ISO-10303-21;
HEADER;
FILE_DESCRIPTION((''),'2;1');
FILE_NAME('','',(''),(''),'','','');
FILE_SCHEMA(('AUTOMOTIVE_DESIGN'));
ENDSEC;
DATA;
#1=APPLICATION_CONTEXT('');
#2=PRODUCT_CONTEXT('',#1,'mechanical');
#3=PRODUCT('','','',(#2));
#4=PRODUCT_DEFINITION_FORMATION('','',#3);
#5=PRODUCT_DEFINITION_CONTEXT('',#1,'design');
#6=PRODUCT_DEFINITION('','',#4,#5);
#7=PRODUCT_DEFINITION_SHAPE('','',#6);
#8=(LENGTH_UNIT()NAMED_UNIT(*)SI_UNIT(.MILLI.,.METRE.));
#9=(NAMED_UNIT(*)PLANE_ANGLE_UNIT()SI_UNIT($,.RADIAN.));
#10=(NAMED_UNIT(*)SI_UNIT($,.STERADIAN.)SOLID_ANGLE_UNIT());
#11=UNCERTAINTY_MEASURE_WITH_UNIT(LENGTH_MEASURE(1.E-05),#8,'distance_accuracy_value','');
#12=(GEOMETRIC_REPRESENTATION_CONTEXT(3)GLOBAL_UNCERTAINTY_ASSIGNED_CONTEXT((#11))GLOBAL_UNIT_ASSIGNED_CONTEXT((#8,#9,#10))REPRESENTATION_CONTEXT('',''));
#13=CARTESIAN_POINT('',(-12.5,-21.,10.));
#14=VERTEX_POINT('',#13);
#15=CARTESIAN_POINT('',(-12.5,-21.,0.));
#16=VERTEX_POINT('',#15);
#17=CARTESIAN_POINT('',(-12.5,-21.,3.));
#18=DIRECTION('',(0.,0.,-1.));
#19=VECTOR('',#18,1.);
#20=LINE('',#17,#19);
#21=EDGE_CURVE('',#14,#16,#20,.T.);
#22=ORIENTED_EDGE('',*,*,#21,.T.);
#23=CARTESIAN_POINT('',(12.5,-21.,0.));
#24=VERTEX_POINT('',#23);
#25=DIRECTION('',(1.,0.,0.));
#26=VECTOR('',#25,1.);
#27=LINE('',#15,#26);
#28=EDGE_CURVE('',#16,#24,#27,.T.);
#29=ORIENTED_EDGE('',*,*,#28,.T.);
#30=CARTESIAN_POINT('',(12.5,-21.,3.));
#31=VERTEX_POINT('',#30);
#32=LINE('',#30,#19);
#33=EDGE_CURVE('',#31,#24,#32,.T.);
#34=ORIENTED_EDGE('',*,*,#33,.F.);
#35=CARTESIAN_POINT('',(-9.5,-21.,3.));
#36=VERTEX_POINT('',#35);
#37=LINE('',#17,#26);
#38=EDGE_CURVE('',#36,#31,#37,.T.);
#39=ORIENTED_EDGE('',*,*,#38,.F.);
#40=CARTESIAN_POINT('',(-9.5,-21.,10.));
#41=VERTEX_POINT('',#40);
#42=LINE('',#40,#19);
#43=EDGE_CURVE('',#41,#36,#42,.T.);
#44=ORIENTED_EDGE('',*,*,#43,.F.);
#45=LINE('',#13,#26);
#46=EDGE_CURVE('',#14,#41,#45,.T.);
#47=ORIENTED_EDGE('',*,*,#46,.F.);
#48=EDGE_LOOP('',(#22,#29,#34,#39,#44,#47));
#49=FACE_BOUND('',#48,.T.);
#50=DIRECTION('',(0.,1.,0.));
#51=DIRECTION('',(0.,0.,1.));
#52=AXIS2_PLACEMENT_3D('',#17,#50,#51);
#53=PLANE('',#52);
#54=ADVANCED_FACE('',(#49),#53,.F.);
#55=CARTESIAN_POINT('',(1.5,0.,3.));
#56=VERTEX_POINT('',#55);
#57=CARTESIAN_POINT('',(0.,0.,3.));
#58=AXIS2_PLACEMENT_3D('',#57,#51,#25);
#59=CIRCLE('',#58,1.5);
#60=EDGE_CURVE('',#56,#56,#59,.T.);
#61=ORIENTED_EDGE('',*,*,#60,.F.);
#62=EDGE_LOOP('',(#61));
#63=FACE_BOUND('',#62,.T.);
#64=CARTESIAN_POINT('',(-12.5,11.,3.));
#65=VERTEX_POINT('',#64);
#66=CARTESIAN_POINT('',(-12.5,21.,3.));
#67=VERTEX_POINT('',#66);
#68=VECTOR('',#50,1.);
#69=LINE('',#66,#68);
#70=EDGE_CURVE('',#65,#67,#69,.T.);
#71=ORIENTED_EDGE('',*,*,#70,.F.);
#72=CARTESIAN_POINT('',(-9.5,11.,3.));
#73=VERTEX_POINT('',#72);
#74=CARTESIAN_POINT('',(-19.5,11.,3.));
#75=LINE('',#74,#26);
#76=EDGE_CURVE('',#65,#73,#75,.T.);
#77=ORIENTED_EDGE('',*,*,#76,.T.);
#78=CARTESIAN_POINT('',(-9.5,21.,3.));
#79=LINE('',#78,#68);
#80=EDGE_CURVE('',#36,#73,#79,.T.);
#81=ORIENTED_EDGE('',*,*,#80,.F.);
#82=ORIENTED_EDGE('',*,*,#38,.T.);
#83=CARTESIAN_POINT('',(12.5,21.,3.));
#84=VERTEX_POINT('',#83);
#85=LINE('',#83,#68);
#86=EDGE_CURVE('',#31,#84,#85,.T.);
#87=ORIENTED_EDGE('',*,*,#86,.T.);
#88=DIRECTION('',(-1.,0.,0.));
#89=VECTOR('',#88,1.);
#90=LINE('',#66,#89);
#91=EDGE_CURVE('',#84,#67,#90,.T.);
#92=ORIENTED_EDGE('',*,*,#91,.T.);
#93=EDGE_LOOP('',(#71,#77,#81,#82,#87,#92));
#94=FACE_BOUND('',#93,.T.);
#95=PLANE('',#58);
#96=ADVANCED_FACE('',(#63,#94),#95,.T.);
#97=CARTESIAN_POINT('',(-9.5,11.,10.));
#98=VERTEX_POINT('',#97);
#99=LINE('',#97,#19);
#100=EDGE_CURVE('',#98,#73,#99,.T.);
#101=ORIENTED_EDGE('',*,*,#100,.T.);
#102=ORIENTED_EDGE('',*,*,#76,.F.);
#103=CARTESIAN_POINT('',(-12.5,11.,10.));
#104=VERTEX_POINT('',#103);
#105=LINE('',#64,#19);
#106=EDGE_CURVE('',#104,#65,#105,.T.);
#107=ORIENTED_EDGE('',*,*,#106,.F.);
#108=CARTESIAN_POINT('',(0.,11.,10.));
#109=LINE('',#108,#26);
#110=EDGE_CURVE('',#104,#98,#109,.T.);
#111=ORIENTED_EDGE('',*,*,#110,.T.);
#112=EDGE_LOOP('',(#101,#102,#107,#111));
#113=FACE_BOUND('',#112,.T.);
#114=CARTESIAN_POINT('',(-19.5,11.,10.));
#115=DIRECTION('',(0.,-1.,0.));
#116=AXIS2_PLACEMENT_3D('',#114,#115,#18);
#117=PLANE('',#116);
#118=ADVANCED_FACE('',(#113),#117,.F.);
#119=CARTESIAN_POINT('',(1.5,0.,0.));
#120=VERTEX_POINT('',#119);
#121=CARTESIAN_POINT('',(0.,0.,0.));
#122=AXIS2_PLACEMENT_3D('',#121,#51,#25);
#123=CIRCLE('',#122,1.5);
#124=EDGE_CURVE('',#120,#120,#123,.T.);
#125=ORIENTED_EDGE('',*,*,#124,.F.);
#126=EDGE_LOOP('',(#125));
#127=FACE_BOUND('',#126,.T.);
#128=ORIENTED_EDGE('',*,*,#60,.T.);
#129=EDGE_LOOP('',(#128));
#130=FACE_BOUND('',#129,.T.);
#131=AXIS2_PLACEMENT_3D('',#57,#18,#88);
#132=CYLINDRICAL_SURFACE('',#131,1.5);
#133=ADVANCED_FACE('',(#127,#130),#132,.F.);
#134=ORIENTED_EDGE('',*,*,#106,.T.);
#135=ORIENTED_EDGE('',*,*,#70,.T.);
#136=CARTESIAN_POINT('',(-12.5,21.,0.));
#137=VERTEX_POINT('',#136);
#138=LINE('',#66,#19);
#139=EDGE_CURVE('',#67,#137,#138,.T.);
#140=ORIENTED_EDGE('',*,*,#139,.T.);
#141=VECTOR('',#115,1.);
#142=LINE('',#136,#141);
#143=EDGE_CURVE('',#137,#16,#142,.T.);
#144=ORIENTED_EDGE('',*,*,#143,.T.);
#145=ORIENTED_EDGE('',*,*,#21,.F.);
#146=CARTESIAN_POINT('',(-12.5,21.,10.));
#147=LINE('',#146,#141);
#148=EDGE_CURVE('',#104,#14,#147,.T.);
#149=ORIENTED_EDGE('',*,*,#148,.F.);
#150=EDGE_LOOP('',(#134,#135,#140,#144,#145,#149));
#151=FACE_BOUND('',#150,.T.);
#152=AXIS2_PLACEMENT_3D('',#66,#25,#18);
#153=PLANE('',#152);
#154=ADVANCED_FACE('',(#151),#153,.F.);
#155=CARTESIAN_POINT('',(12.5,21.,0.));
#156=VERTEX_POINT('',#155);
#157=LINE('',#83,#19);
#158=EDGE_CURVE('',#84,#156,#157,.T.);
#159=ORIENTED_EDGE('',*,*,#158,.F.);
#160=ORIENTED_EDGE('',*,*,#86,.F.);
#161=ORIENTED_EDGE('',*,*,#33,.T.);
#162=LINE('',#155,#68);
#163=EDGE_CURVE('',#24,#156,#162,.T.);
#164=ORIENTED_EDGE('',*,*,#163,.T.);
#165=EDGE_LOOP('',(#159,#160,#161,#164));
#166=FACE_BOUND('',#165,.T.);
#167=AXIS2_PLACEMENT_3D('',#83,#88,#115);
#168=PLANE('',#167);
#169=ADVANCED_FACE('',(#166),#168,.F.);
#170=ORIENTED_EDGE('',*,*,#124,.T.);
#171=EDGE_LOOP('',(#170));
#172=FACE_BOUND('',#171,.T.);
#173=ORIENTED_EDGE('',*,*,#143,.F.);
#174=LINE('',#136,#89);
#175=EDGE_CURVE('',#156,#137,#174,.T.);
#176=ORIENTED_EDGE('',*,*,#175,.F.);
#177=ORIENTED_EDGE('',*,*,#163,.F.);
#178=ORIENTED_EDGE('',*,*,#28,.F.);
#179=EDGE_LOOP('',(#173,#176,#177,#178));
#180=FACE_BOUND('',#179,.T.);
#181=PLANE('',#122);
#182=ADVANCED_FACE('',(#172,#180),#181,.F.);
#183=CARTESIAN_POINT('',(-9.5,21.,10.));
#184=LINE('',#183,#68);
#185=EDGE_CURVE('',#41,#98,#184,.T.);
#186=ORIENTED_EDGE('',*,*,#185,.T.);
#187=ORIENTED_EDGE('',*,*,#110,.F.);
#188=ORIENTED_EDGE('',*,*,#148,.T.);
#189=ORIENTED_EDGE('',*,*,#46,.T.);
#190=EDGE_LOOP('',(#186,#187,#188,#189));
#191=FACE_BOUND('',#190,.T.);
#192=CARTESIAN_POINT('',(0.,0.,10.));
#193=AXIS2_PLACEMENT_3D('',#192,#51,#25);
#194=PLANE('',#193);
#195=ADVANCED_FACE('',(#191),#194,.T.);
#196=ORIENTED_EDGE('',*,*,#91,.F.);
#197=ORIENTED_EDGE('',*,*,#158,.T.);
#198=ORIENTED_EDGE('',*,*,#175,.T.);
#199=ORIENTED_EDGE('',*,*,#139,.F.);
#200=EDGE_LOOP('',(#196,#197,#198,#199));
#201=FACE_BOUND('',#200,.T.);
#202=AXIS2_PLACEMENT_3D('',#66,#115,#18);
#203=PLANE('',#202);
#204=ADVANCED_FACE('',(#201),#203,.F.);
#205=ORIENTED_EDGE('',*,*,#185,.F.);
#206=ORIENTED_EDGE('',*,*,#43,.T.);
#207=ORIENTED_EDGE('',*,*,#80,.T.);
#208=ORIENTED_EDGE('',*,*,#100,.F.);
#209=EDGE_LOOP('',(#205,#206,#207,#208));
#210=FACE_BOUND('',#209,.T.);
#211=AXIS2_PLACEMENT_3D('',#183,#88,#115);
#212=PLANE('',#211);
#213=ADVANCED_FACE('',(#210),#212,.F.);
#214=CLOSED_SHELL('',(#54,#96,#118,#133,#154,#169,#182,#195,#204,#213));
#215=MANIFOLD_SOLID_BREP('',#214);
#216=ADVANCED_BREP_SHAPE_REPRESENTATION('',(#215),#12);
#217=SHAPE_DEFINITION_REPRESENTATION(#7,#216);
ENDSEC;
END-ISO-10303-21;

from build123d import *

# Parameters (mm, degrees)
SKETCH_1_W          = 25
SKETCH_1_H          = 42
SKETCH_1_R          = 1.5
EXTRUDE_1_DEPTH     = 3
SKETCH_2_W          = 3
SKETCH_2_H          = 42
EXTRUDE_2_DEPTH     = 7
SKETCH_4_W          = 7
SKETCH_4_H          = 10
CUT_EXTRUDE_1_DEPTH = 10


with BuildPart() as part:
    # 草图1 → 凸台-拉伸1 (new body)
    with BuildSketch(Plane.XY):
        Rectangle(SKETCH_1_W, SKETCH_1_H)
        Circle(SKETCH_1_R, mode=Mode.SUBTRACT)
    extrude(amount=EXTRUDE_1_DEPTH)

    # 草图2 → 凸台-拉伸2 (add)
    with BuildSketch(Plane.XY.offset(3)):
        with Locations((-11, 0)):
            Rectangle(SKETCH_2_W, SKETCH_2_H)
    extrude(amount=EXTRUDE_2_DEPTH)

    # 草图4 → 切除-拉伸1 (cut)
    with BuildSketch(Plane(origin=(-9.5, 0, 0), x_dir=(0, 0, -1), z_dir=(1, 0, 0))):
        with Locations((-6.5, 16)):
            Rectangle(SKETCH_4_W, SKETCH_4_H)
    extrude(amount=-CUT_EXTRUDE_1_DEPTH, mode=Mode.SUBTRACT)


solid = part.part
